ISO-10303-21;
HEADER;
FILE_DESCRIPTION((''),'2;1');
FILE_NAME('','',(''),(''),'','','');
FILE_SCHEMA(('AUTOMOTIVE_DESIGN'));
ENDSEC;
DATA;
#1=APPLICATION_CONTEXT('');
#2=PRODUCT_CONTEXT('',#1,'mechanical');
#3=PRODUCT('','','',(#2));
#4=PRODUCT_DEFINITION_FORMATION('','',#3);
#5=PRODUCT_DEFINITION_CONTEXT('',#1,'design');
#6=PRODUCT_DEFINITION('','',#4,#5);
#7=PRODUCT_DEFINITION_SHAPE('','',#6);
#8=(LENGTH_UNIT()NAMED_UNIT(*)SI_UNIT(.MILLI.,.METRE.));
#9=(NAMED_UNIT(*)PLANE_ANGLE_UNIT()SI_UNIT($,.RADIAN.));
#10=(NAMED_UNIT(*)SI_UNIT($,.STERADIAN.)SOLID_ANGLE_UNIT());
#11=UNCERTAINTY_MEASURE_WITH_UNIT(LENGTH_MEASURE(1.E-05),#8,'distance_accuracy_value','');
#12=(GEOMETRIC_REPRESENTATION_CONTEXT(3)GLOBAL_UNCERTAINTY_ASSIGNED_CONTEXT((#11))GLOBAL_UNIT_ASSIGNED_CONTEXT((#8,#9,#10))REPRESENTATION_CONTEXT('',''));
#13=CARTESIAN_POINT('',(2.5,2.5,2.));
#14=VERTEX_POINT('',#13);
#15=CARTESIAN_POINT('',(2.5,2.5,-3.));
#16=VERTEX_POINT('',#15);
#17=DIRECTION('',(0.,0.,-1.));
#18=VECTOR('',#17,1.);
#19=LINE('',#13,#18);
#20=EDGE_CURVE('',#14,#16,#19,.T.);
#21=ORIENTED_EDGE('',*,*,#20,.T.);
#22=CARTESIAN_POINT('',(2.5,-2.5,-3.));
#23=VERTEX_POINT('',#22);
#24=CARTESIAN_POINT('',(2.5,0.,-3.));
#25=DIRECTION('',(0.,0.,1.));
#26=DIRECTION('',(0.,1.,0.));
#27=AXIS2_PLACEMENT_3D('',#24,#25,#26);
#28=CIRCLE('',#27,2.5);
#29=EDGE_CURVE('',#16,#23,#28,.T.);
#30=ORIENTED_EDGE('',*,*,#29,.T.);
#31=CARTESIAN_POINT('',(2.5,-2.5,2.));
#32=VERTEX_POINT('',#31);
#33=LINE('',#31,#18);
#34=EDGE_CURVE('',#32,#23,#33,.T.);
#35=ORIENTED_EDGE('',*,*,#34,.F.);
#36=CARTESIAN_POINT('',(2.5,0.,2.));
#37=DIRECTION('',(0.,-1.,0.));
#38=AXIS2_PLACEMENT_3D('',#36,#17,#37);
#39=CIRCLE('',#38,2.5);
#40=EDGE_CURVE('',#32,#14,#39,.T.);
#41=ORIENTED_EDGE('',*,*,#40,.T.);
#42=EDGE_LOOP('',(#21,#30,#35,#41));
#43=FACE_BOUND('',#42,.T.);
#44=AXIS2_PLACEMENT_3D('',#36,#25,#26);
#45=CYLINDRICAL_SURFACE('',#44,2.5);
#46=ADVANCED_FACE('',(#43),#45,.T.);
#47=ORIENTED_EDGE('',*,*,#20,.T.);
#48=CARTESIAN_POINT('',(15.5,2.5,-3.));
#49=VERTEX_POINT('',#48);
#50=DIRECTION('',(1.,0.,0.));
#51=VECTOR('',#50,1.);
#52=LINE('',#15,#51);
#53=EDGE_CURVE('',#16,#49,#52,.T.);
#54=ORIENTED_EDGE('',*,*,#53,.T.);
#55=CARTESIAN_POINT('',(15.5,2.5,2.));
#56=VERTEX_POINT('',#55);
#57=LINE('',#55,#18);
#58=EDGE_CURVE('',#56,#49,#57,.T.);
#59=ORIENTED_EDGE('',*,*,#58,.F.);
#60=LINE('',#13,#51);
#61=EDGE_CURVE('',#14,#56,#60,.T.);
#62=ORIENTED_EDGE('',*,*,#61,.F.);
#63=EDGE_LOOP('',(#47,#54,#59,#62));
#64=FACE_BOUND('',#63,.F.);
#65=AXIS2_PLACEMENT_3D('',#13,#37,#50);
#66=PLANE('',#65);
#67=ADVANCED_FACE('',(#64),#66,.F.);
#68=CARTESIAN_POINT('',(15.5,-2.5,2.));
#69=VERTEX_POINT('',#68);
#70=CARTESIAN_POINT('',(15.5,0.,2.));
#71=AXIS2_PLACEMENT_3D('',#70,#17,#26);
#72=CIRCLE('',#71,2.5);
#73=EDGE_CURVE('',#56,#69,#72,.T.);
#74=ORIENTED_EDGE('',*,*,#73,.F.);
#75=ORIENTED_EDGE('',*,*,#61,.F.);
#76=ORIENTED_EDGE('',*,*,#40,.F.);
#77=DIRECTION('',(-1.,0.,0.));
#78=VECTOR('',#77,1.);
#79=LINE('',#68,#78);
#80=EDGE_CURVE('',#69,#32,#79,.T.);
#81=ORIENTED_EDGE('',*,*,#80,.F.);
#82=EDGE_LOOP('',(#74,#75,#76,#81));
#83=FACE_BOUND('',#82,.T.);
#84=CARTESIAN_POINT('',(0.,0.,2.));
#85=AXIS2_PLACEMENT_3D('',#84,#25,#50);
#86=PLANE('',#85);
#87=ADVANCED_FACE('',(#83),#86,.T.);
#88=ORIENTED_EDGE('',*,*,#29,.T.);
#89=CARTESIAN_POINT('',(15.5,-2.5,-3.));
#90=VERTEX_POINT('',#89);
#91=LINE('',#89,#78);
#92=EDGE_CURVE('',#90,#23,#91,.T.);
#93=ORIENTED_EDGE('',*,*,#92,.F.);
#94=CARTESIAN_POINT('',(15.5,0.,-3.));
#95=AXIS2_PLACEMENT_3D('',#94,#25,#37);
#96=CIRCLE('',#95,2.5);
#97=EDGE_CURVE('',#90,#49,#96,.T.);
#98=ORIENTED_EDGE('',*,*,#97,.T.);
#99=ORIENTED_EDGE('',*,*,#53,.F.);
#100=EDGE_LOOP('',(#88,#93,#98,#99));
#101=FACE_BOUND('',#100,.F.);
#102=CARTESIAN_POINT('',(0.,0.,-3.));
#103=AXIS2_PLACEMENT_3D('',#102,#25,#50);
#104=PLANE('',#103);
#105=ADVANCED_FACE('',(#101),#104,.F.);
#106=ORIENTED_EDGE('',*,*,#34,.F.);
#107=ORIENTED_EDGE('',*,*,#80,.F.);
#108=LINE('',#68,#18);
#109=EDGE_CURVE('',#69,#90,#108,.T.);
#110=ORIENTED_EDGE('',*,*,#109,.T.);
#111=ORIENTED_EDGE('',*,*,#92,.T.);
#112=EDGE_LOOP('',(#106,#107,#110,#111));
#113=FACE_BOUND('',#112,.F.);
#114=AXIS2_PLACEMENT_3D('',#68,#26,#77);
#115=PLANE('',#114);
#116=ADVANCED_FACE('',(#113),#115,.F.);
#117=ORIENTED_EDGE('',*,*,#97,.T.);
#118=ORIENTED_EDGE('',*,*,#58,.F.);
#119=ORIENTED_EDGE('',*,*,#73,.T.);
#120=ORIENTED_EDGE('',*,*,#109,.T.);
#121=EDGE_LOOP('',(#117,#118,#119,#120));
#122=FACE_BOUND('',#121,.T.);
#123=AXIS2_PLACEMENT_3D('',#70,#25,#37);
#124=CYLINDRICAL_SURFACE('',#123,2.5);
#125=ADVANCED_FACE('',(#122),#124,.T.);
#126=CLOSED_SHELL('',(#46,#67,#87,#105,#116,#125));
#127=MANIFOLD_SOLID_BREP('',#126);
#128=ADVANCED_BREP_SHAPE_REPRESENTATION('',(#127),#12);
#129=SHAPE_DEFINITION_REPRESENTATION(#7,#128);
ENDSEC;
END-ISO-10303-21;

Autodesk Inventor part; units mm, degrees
sketch "Sketch1" plane through (0, 0, 0) normal (0, 0, 1) x (1, 0, 0)
  line L0 (2.5, 2.5) -> (15.5, 2.5)
  line L1 (15.5, -2.5) -> (2.5, -2.5)
  arc A0 (2.5, 2.5) -> (2.5, -2.5) centre (2.5, 0) ccw
  line L2 (0, 9.4) -> (0, -7.4) projected
  line L3 (-5, 0) -> (30, 0) projected
  arc A1 (15.5, -2.5) -> (15.5, 2.5) centre (15.5, 0) ccw
  line L4 (18, 0) -> (18, 7) construction
  dimension "d0" = 2.5
  dimension "d8" = 2.5
  dimension "d9" = 18
ref_plane "Work Plane1" through (0, 0, -3) normal (0, 0, 1) x (1, 0, 0)
ref_plane "Work Plane2" through (0, 0, 2) normal (0, 0, 1) x (1, 0, 0)
extrude "Body1" add sketch "Sketch1" against normal up to surface (5 mm away) from surface at 2
ref_plane "Work Plane3" through (18, 0, 2) normal (1, 0, 0) x (0, 1, 0)
equation "\"d0\" = 0.5 * PB"
equation "\"d8\" = 0.5 * PB"
equation "\"d9\" = NLG"
equation "\"d1\" = -PNT"
equation "\"d2\" = PH - PNT"
equation "\"NLG\" = 18"
equation "\"PB\" = 5"
equation "\"PNT\" = 3"
equation "\"PH\" = 5"
equation "\"RR\" = 0.001"
equation "\"WDMIN\" = 12"
equation "\"PHH\" = 0"
equation "\"WDMAX\" = 17"
equation "\"PLB1\" = NLG"
equation "\"PLB2\" = NLG"
equation "\"PUEB\" = 2.3"
properties part number "DIN 6885 - A 5 x 5 x 18" material "Steel, Mild"
